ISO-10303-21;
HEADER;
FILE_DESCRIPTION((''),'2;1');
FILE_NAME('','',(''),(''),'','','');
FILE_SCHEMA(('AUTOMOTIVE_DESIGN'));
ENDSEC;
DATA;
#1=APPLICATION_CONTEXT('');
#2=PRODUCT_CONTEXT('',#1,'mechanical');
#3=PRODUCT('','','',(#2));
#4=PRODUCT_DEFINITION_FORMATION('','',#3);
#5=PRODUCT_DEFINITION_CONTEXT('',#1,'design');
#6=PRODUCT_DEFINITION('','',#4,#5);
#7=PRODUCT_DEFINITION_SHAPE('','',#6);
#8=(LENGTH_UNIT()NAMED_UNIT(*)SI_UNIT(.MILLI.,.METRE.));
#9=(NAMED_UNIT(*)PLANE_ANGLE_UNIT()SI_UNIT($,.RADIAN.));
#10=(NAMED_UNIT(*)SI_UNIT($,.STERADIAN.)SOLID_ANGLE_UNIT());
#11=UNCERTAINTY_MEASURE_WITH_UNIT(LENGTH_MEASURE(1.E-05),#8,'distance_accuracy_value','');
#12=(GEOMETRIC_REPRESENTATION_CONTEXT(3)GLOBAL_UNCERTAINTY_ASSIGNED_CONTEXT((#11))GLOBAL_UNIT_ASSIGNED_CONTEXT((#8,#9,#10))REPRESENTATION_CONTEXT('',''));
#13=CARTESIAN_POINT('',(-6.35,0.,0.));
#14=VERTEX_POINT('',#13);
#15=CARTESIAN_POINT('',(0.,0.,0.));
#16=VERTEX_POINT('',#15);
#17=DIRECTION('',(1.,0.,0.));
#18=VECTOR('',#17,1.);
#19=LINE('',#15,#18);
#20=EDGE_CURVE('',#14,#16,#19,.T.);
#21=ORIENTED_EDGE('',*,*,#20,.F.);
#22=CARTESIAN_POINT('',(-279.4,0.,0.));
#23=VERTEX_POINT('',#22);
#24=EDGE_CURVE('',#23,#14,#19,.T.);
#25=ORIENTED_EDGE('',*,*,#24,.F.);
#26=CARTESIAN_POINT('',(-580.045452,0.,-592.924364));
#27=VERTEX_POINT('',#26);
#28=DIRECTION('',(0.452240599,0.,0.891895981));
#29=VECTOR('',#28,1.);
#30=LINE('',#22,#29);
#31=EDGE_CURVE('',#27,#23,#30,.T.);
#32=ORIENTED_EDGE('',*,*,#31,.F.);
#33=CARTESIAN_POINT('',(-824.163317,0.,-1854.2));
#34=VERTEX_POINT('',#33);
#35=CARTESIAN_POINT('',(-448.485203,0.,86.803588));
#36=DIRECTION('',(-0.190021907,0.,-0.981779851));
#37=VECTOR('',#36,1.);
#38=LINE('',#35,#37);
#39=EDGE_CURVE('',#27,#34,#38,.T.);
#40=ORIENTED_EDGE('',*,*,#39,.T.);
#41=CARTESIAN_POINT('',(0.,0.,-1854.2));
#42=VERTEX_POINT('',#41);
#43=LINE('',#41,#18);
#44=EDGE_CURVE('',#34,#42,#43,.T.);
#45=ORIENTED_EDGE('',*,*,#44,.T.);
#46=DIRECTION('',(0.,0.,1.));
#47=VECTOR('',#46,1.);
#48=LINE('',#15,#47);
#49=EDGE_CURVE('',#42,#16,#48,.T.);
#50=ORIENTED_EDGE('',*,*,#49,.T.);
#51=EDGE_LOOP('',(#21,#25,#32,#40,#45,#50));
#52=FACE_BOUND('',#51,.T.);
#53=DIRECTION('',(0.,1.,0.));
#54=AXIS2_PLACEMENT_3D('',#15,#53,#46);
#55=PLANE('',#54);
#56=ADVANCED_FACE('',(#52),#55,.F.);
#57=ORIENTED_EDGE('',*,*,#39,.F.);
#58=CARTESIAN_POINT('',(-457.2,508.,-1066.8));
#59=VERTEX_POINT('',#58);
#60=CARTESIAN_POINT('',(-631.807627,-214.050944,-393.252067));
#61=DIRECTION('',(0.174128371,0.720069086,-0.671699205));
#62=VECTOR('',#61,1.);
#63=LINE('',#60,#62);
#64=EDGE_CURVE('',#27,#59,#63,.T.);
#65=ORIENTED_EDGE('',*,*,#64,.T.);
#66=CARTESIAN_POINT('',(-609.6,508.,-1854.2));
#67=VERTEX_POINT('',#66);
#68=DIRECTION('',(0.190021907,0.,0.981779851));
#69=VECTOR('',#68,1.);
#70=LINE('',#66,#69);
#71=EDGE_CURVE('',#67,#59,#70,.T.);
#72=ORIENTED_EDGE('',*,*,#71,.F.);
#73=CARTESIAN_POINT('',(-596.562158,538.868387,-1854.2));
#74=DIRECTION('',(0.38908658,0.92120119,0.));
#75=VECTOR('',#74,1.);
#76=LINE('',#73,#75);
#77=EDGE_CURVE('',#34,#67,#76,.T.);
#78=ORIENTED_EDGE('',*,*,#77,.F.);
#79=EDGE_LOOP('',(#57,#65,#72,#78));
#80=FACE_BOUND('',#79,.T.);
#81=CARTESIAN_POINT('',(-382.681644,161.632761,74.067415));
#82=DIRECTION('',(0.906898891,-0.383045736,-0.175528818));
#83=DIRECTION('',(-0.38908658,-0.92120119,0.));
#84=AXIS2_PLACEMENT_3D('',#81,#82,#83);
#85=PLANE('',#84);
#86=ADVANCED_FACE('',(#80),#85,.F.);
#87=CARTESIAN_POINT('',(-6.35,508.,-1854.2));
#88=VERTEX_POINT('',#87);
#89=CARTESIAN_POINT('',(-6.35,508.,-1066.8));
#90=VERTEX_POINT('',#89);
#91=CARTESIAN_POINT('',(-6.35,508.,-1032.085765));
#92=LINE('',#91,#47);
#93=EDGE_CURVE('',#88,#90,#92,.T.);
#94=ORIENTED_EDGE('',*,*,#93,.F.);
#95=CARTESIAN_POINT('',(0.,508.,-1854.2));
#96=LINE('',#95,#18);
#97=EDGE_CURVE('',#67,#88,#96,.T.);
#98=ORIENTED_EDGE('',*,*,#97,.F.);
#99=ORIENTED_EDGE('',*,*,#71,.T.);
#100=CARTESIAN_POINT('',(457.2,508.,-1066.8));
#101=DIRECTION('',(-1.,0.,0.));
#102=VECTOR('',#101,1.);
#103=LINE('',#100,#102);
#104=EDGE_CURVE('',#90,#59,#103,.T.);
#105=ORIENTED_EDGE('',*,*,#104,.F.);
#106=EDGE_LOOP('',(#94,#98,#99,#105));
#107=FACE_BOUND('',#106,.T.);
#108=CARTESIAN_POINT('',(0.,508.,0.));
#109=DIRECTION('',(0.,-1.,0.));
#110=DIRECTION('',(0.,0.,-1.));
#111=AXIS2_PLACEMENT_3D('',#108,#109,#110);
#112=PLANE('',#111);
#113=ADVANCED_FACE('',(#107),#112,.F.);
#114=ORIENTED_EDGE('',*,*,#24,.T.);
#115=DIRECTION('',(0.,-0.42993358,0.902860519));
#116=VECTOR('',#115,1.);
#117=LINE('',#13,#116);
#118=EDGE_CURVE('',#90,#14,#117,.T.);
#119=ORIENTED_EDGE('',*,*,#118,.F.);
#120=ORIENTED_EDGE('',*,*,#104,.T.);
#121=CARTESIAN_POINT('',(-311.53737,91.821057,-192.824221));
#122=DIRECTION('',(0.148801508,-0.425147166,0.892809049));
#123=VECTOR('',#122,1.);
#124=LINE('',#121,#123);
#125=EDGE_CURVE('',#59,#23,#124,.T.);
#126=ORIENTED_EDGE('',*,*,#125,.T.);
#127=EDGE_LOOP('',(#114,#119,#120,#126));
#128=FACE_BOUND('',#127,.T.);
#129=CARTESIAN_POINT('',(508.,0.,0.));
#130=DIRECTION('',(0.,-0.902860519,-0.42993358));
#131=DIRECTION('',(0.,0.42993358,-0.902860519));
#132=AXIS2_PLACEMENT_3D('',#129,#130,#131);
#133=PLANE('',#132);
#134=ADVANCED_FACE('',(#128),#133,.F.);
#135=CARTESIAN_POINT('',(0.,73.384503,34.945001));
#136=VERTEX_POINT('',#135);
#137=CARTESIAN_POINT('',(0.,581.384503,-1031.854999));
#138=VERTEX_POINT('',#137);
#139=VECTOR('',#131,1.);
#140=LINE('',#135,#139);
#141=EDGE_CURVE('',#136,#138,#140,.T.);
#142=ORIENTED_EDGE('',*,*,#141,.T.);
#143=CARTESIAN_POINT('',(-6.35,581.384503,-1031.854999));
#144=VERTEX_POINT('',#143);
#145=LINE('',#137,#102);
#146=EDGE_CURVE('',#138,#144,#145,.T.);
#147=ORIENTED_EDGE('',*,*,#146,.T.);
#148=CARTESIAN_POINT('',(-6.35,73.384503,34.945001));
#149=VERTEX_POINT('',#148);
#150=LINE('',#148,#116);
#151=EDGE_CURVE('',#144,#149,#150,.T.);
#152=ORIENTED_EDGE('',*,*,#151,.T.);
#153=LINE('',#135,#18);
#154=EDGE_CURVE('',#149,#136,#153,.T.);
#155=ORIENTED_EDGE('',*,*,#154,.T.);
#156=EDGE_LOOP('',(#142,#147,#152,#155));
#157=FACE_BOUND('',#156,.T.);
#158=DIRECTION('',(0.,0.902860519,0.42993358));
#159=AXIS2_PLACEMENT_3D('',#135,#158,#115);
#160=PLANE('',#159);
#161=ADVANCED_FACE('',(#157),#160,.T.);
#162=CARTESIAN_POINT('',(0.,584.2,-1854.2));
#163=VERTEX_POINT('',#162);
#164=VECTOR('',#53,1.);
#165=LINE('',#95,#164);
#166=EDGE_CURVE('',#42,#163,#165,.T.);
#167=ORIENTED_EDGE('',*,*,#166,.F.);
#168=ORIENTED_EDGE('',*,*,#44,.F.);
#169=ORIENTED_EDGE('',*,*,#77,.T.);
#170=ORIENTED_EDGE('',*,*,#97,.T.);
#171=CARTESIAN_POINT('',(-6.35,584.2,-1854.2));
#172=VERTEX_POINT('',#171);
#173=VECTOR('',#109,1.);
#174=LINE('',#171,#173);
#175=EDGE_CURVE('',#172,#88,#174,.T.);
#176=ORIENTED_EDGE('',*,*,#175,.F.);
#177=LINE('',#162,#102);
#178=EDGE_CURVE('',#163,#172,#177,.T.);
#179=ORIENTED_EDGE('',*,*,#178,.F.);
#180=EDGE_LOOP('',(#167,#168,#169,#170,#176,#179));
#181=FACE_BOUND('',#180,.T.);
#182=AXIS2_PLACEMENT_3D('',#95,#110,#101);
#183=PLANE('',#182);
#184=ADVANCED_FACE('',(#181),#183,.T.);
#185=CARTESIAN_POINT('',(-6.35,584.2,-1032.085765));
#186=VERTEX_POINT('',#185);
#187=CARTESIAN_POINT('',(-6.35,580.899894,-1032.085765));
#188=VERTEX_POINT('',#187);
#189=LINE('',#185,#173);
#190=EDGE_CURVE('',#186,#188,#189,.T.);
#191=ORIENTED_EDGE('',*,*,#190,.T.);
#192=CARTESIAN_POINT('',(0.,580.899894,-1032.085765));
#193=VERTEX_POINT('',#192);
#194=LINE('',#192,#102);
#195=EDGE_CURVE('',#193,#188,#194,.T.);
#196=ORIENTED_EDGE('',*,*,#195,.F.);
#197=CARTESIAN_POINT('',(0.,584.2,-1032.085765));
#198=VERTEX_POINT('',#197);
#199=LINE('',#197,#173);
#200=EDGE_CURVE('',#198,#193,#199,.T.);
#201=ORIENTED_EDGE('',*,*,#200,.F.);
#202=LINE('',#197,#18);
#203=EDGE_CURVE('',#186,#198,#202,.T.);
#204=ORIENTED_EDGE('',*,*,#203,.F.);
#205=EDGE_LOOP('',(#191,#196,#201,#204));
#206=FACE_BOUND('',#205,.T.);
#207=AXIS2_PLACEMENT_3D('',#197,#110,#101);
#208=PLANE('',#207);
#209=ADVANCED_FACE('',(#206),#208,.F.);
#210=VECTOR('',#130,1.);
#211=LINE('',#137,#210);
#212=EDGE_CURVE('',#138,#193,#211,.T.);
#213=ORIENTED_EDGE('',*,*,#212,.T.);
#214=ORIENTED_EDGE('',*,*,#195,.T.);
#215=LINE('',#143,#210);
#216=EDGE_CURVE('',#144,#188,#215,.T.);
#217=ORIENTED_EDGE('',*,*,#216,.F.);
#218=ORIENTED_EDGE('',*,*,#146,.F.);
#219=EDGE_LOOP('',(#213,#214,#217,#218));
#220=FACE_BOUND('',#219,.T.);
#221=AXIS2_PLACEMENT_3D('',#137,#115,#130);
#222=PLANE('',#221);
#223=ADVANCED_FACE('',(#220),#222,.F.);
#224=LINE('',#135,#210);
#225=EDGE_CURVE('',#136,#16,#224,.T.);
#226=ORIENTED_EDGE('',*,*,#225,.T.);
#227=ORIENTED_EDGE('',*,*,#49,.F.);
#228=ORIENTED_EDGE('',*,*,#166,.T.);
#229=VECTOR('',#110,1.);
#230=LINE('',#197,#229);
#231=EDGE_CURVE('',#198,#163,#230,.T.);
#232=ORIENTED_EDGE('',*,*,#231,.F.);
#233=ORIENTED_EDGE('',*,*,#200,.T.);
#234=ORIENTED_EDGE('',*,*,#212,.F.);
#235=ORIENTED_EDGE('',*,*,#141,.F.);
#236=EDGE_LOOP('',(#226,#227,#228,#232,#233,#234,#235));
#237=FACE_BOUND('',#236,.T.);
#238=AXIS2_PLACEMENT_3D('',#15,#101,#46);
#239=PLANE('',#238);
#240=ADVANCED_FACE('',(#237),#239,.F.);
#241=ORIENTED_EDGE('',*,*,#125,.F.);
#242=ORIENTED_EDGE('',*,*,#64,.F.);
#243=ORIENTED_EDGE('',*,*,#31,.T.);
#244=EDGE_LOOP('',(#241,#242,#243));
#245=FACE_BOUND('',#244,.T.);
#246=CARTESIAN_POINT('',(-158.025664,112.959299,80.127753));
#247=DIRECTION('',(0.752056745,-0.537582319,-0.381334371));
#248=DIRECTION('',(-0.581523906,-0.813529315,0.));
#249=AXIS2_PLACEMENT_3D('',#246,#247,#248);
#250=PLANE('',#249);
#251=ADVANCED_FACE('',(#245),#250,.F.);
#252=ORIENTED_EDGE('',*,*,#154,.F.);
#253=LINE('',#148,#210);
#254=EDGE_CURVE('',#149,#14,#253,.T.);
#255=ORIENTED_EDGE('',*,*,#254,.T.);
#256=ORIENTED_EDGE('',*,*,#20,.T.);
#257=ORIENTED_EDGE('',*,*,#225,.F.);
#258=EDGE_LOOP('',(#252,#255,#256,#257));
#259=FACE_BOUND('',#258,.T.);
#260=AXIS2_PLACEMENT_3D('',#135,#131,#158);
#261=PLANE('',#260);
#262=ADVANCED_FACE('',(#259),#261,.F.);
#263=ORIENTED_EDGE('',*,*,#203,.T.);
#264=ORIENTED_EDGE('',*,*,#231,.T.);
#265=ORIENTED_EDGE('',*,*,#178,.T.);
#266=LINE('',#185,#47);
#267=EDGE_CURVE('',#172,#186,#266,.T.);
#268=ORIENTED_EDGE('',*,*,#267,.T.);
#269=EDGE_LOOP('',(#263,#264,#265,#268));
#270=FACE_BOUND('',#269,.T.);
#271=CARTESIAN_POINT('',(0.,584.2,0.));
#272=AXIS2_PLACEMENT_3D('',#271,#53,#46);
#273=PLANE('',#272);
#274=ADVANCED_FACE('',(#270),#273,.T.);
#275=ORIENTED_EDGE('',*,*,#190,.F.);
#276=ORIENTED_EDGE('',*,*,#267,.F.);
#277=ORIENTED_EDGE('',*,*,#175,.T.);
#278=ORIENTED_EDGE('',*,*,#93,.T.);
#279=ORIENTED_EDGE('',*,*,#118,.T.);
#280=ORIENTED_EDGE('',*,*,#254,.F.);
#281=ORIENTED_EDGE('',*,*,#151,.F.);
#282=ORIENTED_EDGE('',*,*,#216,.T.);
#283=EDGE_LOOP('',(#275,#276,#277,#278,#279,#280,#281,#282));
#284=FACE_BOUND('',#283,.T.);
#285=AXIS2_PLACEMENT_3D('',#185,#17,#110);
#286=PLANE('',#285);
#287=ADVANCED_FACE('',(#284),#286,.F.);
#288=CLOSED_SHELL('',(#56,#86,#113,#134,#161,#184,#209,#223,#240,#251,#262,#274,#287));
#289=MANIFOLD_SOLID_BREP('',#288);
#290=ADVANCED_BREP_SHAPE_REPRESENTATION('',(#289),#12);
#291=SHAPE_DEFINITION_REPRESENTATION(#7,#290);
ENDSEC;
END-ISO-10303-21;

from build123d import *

# Parameters (mm, degrees)
BOSS_EXTRUDE1_DEPTH = 508
CUT_EXTRUDE1_DEPTH  = 508
BOSS_EXTRUDE2_DEPTH = 508
BOSS_EXTRUDE3_DEPTH = 635
CUT_EXTRUDE3_DEPTH  = 1016
CUT_EXTRUDE6_DEPTH  = 508
CUT_EXTRUDE7_DEPTH  = 1016
CUT_EXTRUDE8_DEPTH  = 1016
CUT_EXTRUDE9_DEPTH  = 1016
CUT_EXTRUDE10_DEPTH = 2092.737749488
SKETCH11_W          = 6.35
SKETCH11_H          = 822.114235363
BOSS_EXTRUDE4_DEPTH = 76.2
SKETCH12_W          = 6.35
SKETCH12_H          = 1181.577860321
BOSS_EXTRUDE5_DEPTH = 81.28


with BuildPart() as part:
    # Sketch1 → Boss-Extrude1 (new body)
    with BuildSketch(Plane(origin=(0, 0, 0), x_dir=(1, 0, 0), z_dir=(0, 1, 0))):
        Polygon((0, 1066.8), (0, 0), (279.4, 0), (457.2, 1066.8), align=None)
    boss_extrude1 = extrude(amount=BOSS_EXTRUDE1_DEPTH)

    # Sketch2 → Cut-Extrude1 (cut)
    with BuildSketch(Plane.ZY):
        Polygon((0, 0), (-1066.8, 508), (-1066.8, 732.672417782), (0, 732.672417782), align=None)
    cut_extrude1 = extrude(amount=-CUT_EXTRUDE1_DEPTH, mode=Mode.SUBTRACT)

    # Sketch3 → Boss-Extrude2 (add)
    with BuildSketch(Plane.XZ):
        Polygon((0, -1066.8), (0, -1854.2), (609.6, -1854.2), (457.2, -1066.8), align=None)
    boss_extrude2 = extrude(amount=-BOSS_EXTRUDE2_DEPTH)

    # Mirror1: Boss-Extrude1 across plane
    add(boss_extrude1.mirror(Plane(origin=(0, 508, -1066.8), x_dir=(0, 0, 1), z_dir=(1, 0, 0))))

    # Mirror1 2: Cut-Extrude1 across plane
    add(cut_extrude1.mirror(Plane(origin=(0, 508, -1066.8), x_dir=(0, 0, 1), z_dir=(1, 0, 0))), mode=Mode.SUBTRACT)


with BuildPart() as body_2:
    # Sketch4 → Boss-Extrude3 (new body)
    with BuildSketch(Plane.XZ):
        Polygon((279.4, 0), (758.024602406, -943.929756814), (824.163316724, -1854.2), (609.6, -1854.2), (473.605368522, -1854.2), (229.324151542, -858.00394067), align=None)
    boss_extrude3 = extrude(amount=-BOSS_EXTRUDE3_DEPTH)

    # Sketch5 → Cut-Extrude3 (cut)
    with BuildSketch(Plane(origin=(158.02566363, 112.959299077, 80.127753023), x_dir=(-0.31022668993908165, -0.22175505323400505, 0.924437178619848), z_dir=(-0.7520567447205982, -0.5375823192171424, -0.38133437136635806))):
        Polygon((-393.664649125, 703.625608499), (953.241894052, -176.928807588), (-1326.842790058, -923.556364957), (-2274.788319735, -628.326732027), (-2325.528348512, 172.375821483), align=None)
    cut_extrude3 = extrude(amount=-CUT_EXTRUDE3_DEPTH, mode=Mode.SUBTRACT)

    # Sketch6 → Cut-Extrude6 (cut)
    with BuildSketch(Plane(origin=(397.94007399, 254.27896004, 77.020659482), x_dir=(0.13564130705663138, 0.08667317707163243, -0.9869595717131874), z_dir=(0.8316697136780645, 0.5314270256083374, 0.16096833167962543))):
        Polygon((1082.533011894, 1261.854611528), (2538.800510351, 767.688534421), (2437.604130324, -1113.046367909), (306.999460867, -1023.580096849), align=None)
    cut_extrude6 = extrude(amount=CUT_EXTRUDE6_DEPTH, mode=Mode.SUBTRACT)

    # Sketch7 → Cut-Extrude7 (cut)
    with BuildSketch(Plane(origin=(0, 0, 0), x_dir=(1, 0, 0), z_dir=(0, 0.9028605188239303, 0.4299335803923477))):
        Polygon((0, 1181.577860321), (0, 0), (1197.045935399, 0), (1543.879463505, 955.927792479), (976.352766556, 2301.292030359), align=None)
    cut_extrude7 = extrude(amount=CUT_EXTRUDE7_DEPTH, mode=Mode.SUBTRACT)

    # Sketch8 → Cut-Extrude8 (cut)
    with BuildSketch(Plane(origin=(382.681643927, 161.632761359, 74.067414954), x_dir=(0.1616973556962576, 0.06829590736935992, -0.9844742933146776), z_dir=(0.9068988908525647, 0.38304573613058523, 0.1755288175843677))):
        Polygon((1197.556798458, 999.143883777), (2455.295967915, 323.49765858), (2410.705423203, -956.043074474), (776.288597468, -956.043074474), (430.351182168, -503.275200855), align=None)
    cut_extrude8 = extrude(amount=CUT_EXTRUDE8_DEPTH, mode=Mode.SUBTRACT)

    # Sketch9 → Cut-Extrude9 (cut)
    with BuildSketch(Plane(origin=(0, 508, 0), x_dir=(1, 0, 0), z_dir=(0, 1, 0))):
        Polygon((351.522364305, 2301.225932819), (1863.401978722, 1800.09916747), (1313.944223798, 629.194662402), (-286.938271333, 375.015467974), (-444.004316346, 1364.25568729), align=None)
    cut_extrude9 = extrude(amount=CUT_EXTRUDE9_DEPTH, mode=Mode.SUBTRACT)


with BuildPart() as part_1:
    add(part.part)

    # Mirror1 3: Boss-Extrude2, Boss-Extrude3 across plane
    add(boss_extrude2.mirror(Plane(origin=(0, 508, -1066.8), x_dir=(0, 0, 1), z_dir=(1, 0, 0))))
    add(boss_extrude3.mirror(Plane(origin=(0, 508, -1066.8), x_dir=(0, 0, 1), z_dir=(1, 0, 0))))

    # Mirror1 4: Cut-Extrude3, Cut-Extrude6, Cut-Extrude7, Cut-Extrude8, Cut-Extrude9 across plane
    add(cut_extrude3.mirror(Plane(origin=(0, 508, -1066.8), x_dir=(0, 0, 1), z_dir=(1, 0, 0))), mode=Mode.SUBTRACT)
    add(cut_extrude6.mirror(Plane(origin=(0, 508, -1066.8), x_dir=(0, 0, 1), z_dir=(1, 0, 0))), mode=Mode.SUBTRACT)
    add(cut_extrude7.mirror(Plane(origin=(0, 508, -1066.8), x_dir=(0, 0, 1), z_dir=(1, 0, 0))), mode=Mode.SUBTRACT)
    add(cut_extrude8.mirror(Plane(origin=(0, 508, -1066.8), x_dir=(0, 0, 1), z_dir=(1, 0, 0))), mode=Mode.SUBTRACT)
    add(cut_extrude9.mirror(Plane(origin=(0, 508, -1066.8), x_dir=(0, 0, 1), z_dir=(1, 0, 0))), mode=Mode.SUBTRACT)


with BuildPart() as cut_extrude10_tool:
    # Sketch10 → Cut-Extrude10 (new, through all)
    with BuildSketch(Plane(origin=(0, 0, 0), x_dir=(0, 0, -1), z_dir=(1, 0, 0))):
        Polygon((2306.148998717, 875.535830554), (458.236130604, 1137.326156156), (-514.568333215, 141.183628961), (336.70111329, -1596.655316262), (2036.802708671, -1025.71271333), (2740.096775658, -499.622195383), align=None)
    extrude(amount=CUT_EXTRUDE10_DEPTH)


with BuildPart() as part_2:
    add(part_1.part)

    # Cut-Extrude10: cut by cut_extrude10_tool
    add(cut_extrude10_tool.part, mode=Mode.SUBTRACT)

    # Sketch11 → Boss-Extrude4 (add)
    with BuildSketch(Plane(origin=(0, 508, 0), x_dir=(1, 0, 0), z_dir=(0, 1, 0))):
        with Locations((-3.175, 1443.142882319)):
            Rectangle(SKETCH11_W, SKETCH11_H)
    extrude(amount=BOSS_EXTRUDE4_DEPTH)

    # Sketch12 → Boss-Extrude5 (add)
    with BuildSketch(Plane(origin=(0, 0, 0), x_dir=(1, 0, 0), z_dir=(0, 0.9028605188239304, 0.42993358039234775))):
        with Locations((-3.175, 590.788930161)):
            Rectangle(SKETCH12_W, SKETCH12_H)
    extrude(amount=BOSS_EXTRUDE5_DEPTH)


with BuildPart() as body_2_1:
    add(body_2.part)

    # Cut-Extrude10: cut by cut_extrude10_tool
    add(cut_extrude10_tool.part, mode=Mode.SUBTRACT)


solid = part_2.part
